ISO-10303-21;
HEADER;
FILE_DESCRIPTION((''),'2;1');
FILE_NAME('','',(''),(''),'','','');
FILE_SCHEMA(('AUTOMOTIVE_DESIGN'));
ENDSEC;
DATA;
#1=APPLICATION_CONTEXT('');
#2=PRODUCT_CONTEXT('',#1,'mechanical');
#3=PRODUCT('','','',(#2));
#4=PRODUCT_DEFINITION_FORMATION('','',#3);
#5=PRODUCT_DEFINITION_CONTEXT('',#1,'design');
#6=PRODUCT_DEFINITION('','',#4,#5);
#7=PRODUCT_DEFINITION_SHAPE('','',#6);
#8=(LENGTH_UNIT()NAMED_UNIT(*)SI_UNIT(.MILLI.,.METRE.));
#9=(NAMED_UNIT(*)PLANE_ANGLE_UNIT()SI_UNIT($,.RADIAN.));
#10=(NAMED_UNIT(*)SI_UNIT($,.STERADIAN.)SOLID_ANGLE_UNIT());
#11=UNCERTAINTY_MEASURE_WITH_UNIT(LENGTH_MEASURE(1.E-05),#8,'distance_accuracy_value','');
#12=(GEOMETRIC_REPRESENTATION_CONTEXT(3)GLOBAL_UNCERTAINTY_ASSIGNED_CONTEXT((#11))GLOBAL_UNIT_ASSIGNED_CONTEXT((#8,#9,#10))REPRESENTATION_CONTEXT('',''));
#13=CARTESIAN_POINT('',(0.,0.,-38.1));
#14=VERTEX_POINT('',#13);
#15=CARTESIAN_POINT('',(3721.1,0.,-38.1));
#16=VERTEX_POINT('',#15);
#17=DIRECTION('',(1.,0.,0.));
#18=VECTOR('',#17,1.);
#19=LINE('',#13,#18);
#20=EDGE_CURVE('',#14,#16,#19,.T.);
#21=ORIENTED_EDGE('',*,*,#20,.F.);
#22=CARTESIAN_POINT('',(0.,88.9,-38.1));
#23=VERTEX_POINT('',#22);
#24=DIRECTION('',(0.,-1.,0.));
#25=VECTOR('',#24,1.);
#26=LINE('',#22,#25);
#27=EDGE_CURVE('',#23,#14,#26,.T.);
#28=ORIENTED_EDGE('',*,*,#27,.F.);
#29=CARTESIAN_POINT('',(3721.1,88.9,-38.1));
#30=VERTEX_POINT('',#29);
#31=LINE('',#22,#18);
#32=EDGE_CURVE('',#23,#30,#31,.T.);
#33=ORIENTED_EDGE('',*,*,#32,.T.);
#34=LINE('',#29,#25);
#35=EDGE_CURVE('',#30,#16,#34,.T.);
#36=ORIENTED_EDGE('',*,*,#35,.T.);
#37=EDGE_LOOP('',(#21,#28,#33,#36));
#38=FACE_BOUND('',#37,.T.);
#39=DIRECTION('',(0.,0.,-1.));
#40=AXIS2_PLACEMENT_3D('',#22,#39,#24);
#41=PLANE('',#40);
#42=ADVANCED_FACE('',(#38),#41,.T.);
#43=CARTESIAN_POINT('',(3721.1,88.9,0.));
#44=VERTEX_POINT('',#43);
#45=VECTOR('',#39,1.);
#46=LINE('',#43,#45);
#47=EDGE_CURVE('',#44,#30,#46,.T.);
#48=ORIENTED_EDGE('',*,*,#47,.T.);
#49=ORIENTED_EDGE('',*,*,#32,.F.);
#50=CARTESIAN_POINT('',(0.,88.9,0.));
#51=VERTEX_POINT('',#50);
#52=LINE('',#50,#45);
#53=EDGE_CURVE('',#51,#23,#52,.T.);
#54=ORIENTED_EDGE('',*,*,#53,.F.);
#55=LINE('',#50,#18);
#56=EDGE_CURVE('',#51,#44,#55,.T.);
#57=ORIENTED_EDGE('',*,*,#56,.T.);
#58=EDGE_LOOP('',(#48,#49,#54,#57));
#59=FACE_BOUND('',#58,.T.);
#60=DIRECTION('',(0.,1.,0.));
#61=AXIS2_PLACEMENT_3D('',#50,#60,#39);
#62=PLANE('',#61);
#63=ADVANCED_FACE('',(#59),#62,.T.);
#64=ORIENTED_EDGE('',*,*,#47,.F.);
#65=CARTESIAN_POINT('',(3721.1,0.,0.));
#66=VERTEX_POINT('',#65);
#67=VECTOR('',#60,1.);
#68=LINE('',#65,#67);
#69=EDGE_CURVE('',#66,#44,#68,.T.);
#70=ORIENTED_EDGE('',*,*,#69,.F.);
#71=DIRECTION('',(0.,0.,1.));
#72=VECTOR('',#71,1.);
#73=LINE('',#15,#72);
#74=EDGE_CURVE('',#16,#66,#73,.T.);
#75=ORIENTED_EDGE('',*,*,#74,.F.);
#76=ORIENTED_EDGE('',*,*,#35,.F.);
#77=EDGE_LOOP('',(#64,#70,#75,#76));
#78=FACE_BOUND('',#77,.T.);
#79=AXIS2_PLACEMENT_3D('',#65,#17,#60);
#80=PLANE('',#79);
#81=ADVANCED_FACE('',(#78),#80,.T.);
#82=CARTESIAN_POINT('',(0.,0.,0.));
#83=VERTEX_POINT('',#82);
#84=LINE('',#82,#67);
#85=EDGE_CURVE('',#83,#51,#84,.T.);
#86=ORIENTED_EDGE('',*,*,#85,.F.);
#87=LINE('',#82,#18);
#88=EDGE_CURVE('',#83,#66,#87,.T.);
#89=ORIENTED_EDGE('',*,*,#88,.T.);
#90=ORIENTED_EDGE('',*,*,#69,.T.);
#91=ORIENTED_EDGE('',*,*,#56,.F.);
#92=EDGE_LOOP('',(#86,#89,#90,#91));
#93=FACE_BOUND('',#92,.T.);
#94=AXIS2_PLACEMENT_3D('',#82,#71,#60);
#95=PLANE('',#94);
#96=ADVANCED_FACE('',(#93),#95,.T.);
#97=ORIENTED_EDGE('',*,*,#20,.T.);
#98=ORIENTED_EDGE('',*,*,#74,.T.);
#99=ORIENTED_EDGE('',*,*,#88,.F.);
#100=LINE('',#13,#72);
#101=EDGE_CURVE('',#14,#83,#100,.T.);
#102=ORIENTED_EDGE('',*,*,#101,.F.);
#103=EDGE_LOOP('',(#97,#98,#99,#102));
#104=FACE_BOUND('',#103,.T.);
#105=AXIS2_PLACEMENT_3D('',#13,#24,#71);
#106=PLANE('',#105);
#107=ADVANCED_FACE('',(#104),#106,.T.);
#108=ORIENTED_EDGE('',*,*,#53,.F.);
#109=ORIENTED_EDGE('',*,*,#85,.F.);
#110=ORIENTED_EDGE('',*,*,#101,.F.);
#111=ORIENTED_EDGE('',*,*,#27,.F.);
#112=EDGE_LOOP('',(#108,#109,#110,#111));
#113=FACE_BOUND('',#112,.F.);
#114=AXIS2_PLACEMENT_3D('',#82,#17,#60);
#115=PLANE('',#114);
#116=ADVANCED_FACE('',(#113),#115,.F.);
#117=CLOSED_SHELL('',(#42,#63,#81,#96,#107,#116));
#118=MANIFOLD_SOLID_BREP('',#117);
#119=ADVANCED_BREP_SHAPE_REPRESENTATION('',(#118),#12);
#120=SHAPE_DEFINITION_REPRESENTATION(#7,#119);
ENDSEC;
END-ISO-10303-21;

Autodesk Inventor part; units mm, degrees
ref_plane "YZ Plane" through (0, 0, 0) normal (1, 0, 0) x (0, 1, 0)
ref_plane "XZ Plane" through (0, 0, 0) normal (0, 1, 0) x (-1, 0, 0)
ref_plane "XY Plane" through (0, 0, 0) normal (0, 0, 1) x (1, 0, 0)
sketch "Sketch1" plane through (0, 0, 0) normal (1, 0, 0) x (0, 1, 0)
  line L0 (0, 0) -> (88.9, 0)
  line L1 (88.9, 0) -> (88.9, -38.1)
  line L2 (88.9, -38.1) -> (0, -38.1)
  line L3 (0, -38.1) -> (0, 0)
  dimension "d0" = 38.1
  dimension "d1" = 88.9
extrude "Extrusion1" add sketch "Sketch1" along normal blind 3721.1
properties part number "2by4by20" material "Wood (Cherry)"
